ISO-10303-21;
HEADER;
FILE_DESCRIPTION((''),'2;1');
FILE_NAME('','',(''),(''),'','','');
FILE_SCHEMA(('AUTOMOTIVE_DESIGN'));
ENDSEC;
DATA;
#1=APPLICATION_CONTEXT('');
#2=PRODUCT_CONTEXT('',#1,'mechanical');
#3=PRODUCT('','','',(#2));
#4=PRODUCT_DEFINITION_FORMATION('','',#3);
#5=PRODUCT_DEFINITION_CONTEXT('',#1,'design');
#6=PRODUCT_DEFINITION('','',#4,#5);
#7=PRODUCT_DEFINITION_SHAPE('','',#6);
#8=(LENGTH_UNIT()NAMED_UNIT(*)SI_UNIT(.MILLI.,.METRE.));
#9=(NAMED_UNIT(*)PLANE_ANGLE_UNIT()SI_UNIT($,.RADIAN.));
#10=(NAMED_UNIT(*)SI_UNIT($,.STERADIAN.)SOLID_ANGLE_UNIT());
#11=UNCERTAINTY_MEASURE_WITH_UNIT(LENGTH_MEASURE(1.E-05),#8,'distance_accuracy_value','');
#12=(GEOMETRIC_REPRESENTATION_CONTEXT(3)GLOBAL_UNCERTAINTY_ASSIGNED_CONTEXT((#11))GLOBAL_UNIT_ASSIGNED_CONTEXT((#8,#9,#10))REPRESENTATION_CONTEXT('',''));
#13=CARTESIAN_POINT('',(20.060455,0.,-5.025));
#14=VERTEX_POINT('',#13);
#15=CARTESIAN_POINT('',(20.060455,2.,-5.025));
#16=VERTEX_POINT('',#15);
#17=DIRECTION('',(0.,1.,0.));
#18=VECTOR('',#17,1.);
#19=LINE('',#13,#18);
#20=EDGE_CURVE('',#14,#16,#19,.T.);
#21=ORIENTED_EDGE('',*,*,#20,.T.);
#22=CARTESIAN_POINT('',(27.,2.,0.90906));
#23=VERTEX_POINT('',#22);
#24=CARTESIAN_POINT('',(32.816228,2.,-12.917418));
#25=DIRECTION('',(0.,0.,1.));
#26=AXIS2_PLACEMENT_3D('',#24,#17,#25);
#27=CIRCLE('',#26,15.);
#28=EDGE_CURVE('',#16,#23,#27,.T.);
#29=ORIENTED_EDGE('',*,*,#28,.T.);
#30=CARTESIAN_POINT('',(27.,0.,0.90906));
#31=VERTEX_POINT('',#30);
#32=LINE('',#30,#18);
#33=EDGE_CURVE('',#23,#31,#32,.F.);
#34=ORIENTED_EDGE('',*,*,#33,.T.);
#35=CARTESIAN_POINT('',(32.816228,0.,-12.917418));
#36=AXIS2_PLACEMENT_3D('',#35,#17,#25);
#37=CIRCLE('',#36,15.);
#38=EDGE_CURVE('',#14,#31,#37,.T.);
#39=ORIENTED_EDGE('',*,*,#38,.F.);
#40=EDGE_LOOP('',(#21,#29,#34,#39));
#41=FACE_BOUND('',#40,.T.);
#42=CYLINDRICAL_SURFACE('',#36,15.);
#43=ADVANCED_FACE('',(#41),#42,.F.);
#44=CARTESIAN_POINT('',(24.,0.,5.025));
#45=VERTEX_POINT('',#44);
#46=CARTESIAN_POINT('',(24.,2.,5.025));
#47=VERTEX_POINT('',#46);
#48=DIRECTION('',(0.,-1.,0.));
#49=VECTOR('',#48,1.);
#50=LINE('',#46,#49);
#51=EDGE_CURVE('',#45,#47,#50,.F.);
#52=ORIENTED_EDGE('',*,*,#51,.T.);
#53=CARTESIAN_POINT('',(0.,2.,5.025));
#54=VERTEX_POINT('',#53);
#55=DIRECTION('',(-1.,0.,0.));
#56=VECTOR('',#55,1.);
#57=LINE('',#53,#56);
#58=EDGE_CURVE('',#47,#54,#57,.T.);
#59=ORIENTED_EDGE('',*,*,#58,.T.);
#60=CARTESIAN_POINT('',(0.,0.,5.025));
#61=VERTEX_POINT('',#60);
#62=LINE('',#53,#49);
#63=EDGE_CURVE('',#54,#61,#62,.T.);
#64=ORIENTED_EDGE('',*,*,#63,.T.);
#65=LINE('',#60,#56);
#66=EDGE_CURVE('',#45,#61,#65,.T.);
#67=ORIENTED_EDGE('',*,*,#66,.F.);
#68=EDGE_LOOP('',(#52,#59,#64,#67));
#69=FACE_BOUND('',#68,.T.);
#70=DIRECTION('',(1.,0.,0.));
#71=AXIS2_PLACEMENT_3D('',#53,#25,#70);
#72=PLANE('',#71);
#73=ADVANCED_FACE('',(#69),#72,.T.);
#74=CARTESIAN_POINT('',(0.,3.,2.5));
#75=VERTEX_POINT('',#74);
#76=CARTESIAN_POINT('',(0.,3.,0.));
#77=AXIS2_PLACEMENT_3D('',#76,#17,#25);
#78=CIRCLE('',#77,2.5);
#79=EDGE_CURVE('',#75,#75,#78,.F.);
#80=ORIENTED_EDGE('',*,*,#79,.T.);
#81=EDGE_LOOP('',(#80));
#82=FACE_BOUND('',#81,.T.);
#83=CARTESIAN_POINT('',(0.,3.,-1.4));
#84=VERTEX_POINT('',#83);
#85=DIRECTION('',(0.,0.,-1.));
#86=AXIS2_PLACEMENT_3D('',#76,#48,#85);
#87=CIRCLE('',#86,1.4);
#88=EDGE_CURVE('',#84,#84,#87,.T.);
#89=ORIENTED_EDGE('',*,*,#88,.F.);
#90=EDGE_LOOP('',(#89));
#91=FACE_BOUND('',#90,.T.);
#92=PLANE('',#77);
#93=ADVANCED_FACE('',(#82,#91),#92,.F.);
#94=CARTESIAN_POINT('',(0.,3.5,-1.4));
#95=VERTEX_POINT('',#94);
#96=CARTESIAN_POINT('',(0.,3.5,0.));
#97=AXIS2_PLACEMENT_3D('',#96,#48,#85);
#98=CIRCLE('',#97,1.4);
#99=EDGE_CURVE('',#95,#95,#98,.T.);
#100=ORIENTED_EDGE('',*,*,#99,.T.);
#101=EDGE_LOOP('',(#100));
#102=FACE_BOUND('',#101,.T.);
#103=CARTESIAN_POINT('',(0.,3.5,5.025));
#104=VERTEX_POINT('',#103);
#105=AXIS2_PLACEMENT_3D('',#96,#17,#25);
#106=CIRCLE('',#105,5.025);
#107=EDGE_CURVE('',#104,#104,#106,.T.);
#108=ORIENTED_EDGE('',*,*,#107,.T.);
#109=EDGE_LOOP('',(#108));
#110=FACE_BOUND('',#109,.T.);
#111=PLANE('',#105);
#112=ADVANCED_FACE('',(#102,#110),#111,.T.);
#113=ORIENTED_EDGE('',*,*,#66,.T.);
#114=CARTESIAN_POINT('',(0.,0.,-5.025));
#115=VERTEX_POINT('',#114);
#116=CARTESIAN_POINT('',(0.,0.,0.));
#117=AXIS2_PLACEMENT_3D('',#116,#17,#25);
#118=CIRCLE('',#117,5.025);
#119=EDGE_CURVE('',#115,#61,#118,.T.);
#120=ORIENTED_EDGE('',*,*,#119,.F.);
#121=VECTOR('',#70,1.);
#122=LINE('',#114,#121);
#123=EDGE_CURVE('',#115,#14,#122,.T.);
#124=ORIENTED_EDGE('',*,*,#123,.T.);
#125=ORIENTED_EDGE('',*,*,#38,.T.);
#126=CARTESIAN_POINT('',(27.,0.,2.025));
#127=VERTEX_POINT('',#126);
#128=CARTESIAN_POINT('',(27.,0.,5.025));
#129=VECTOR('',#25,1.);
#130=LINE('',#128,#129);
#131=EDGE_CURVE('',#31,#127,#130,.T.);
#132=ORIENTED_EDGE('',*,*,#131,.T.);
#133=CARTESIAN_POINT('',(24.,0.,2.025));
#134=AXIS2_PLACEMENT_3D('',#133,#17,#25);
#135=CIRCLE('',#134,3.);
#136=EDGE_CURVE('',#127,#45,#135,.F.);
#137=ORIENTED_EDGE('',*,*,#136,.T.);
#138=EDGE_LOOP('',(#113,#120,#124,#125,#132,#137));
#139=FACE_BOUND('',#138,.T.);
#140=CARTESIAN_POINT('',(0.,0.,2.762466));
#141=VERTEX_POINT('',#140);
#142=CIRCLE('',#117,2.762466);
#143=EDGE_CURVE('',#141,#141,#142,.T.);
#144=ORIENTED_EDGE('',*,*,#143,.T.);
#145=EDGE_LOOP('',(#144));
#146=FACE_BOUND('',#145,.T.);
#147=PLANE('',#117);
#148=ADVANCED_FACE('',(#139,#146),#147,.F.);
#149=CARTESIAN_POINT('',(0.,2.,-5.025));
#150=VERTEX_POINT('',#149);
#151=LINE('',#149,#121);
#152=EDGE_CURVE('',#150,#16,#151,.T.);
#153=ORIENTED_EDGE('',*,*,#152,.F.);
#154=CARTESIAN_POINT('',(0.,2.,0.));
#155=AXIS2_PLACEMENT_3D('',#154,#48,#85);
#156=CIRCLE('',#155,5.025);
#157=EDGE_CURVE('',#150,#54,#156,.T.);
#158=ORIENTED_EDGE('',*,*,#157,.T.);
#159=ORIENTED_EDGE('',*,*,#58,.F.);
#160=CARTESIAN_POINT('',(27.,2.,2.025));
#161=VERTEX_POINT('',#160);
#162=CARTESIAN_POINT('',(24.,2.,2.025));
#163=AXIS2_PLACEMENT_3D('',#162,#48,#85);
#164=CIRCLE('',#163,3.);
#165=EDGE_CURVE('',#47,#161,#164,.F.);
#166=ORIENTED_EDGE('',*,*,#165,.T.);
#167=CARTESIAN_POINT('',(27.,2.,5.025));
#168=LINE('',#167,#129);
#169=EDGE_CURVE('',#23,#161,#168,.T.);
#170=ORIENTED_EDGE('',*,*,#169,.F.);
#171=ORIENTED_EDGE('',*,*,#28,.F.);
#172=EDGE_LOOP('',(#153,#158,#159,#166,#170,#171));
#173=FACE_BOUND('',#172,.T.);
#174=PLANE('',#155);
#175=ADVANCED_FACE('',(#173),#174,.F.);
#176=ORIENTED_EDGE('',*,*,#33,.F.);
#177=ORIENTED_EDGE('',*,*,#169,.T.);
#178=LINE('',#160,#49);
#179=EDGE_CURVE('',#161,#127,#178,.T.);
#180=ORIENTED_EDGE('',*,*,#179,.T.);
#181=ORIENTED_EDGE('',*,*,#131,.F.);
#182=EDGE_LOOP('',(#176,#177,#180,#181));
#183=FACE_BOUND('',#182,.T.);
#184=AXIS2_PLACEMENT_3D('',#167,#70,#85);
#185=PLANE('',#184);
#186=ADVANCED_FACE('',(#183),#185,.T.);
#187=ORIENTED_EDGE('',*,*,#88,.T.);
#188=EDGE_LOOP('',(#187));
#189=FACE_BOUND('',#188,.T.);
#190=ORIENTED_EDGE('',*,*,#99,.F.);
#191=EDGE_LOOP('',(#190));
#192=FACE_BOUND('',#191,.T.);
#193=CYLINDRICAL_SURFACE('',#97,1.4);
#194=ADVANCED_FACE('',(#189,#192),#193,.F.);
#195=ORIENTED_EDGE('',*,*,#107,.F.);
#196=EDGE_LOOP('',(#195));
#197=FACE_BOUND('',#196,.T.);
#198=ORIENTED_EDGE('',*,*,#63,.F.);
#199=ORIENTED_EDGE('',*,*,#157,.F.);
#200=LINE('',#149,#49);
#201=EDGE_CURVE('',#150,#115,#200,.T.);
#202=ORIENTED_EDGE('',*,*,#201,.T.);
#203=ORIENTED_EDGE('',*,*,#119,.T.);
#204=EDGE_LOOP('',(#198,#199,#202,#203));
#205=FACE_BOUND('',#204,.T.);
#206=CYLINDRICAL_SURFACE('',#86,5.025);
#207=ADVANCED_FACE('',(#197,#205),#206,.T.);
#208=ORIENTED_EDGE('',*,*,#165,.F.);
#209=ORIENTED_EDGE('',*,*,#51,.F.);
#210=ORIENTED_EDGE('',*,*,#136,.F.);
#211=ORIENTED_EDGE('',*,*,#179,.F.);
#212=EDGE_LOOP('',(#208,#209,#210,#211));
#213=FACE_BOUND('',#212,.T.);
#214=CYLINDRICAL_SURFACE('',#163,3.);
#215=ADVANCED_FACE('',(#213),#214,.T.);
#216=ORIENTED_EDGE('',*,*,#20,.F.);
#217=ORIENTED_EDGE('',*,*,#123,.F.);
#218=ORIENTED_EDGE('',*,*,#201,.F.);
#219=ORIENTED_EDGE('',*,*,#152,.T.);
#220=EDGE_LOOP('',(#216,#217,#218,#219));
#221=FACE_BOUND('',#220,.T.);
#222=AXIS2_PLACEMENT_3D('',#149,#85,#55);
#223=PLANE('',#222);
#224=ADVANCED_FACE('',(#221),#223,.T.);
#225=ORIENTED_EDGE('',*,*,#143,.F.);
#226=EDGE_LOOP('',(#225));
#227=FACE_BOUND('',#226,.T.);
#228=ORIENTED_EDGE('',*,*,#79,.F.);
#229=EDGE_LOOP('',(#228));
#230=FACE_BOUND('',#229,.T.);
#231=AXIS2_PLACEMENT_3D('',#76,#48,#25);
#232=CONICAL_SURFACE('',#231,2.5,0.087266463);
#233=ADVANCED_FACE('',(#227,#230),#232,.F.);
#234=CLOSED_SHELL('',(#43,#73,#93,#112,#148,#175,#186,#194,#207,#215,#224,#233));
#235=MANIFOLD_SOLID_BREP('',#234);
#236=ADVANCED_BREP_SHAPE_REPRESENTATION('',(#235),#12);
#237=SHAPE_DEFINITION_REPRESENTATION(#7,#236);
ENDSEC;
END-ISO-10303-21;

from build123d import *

# Parameters (mm, degrees)
SKETCH1_R           = 5.025
SKETCH1_R_2         = 2.025
BOSS_EXTRUDE1_DEPTH = 3
SKETCH2_W           = 27
SKETCH2_H           = 10.05
BOSS_EXTRUDE2_DEPTH = 2
SKETCH3_R           = 15
CUT_EXTRUDE1_DEPTH  = 2
FILLET1_R           = 3
SKETCH4_R           = 2.5
CUT_EXTRUDE2_DEPTH  = 10
CUT_EXTRUDE2_DRAFT  = 5
SKETCH5_R           = 5.025
BOSS_EXTRUDE3_DEPTH = 0.5
SKETCH6_R           = 1.4
CUT_EXTRUDE3_DEPTH  = 0.5


with BuildPart() as part:
    # Sketch1 → Boss-Extrude1 (new body)
    with BuildSketch(Plane(origin=(0, 0, 0), x_dir=(1, 0, 0), z_dir=(0, 1, 0))):
        with Locations(Location((0, 0, 0), (0, 0, 270))):
            Circle(SKETCH1_R)
        with Locations(Location((0, 0, 0), (0, 0, 270))):
            Circle(SKETCH1_R_2, mode=Mode.SUBTRACT)
    extrude(amount=BOSS_EXTRUDE1_DEPTH)

    # Sketch2 → Boss-Extrude2 (add)
    with BuildSketch(Plane.XZ):
        with Locations((13.5, 0)):
            Rectangle(SKETCH2_W, SKETCH2_H)
    extrude(amount=-BOSS_EXTRUDE2_DEPTH)

    # Sketch3 → Cut-Extrude1 (cut)
    with BuildSketch(Plane(origin=(0, 2, 0), x_dir=(1, 0, 0), z_dir=(0, 1, 0))):
        with Locations((32.816228029, 12.917418084)):
            Circle(SKETCH3_R)
    extrude(amount=-CUT_EXTRUDE1_DEPTH, mode=Mode.SUBTRACT)

    # Fillet1
    fillet1_edges = [part.edges().sort_by_distance(p)[0] for p in [
        (27, 1, 5.025),
    ]]
    fillet(fillet1_edges, radius=FILLET1_R)


with BuildPart() as cut_extrude2_tool:
    # Sketch4 → Cut-Extrude2 (with draft: the straight prism first)
    with BuildSketch(Plane(origin=(0, 3, 0), x_dir=(1, 0, 0), z_dir=(0, 1, 0))):
        Circle(SKETCH4_R)
    extrude(amount=-CUT_EXTRUDE2_DEPTH)
    # Cut-Extrude2: the draft: its side faces are tilted about the plane it starts from
    cut_extrude2_sides = [cut_extrude2_tool.faces().sort_by_distance(p)[0] for p in [
        (-2.5, -2, 0),
    ]]
    draft(cut_extrude2_sides, Plane(origin=(0, 3, 0), x_dir=(1, 0, 0), z_dir=(0, 1, 0)), CUT_EXTRUDE2_DRAFT)


with BuildPart() as part_1:
    add(part.part)

    # Cut-Extrude2: cut by cut_extrude2_tool
    add(cut_extrude2_tool.part, mode=Mode.SUBTRACT)

    # Sketch5 → Boss-Extrude3 (add)
    with BuildSketch(Plane(origin=(0, 3, 0), x_dir=(1, 0, 0), z_dir=(0, 1, 0))):
        with Locations(Location((0, 0, 0), (0, 0, 270))):
            Circle(SKETCH5_R)
    extrude(amount=BOSS_EXTRUDE3_DEPTH)

    # Sketch6 → Cut-Extrude3 (cut)
    with BuildSketch(Plane.XZ.offset(-3)):
        with Locations(Location((0, 0, 0), (0, 0, 270))):
            Circle(SKETCH6_R)
    extrude(amount=-CUT_EXTRUDE3_DEPTH, mode=Mode.SUBTRACT)


solid = part_1.part
